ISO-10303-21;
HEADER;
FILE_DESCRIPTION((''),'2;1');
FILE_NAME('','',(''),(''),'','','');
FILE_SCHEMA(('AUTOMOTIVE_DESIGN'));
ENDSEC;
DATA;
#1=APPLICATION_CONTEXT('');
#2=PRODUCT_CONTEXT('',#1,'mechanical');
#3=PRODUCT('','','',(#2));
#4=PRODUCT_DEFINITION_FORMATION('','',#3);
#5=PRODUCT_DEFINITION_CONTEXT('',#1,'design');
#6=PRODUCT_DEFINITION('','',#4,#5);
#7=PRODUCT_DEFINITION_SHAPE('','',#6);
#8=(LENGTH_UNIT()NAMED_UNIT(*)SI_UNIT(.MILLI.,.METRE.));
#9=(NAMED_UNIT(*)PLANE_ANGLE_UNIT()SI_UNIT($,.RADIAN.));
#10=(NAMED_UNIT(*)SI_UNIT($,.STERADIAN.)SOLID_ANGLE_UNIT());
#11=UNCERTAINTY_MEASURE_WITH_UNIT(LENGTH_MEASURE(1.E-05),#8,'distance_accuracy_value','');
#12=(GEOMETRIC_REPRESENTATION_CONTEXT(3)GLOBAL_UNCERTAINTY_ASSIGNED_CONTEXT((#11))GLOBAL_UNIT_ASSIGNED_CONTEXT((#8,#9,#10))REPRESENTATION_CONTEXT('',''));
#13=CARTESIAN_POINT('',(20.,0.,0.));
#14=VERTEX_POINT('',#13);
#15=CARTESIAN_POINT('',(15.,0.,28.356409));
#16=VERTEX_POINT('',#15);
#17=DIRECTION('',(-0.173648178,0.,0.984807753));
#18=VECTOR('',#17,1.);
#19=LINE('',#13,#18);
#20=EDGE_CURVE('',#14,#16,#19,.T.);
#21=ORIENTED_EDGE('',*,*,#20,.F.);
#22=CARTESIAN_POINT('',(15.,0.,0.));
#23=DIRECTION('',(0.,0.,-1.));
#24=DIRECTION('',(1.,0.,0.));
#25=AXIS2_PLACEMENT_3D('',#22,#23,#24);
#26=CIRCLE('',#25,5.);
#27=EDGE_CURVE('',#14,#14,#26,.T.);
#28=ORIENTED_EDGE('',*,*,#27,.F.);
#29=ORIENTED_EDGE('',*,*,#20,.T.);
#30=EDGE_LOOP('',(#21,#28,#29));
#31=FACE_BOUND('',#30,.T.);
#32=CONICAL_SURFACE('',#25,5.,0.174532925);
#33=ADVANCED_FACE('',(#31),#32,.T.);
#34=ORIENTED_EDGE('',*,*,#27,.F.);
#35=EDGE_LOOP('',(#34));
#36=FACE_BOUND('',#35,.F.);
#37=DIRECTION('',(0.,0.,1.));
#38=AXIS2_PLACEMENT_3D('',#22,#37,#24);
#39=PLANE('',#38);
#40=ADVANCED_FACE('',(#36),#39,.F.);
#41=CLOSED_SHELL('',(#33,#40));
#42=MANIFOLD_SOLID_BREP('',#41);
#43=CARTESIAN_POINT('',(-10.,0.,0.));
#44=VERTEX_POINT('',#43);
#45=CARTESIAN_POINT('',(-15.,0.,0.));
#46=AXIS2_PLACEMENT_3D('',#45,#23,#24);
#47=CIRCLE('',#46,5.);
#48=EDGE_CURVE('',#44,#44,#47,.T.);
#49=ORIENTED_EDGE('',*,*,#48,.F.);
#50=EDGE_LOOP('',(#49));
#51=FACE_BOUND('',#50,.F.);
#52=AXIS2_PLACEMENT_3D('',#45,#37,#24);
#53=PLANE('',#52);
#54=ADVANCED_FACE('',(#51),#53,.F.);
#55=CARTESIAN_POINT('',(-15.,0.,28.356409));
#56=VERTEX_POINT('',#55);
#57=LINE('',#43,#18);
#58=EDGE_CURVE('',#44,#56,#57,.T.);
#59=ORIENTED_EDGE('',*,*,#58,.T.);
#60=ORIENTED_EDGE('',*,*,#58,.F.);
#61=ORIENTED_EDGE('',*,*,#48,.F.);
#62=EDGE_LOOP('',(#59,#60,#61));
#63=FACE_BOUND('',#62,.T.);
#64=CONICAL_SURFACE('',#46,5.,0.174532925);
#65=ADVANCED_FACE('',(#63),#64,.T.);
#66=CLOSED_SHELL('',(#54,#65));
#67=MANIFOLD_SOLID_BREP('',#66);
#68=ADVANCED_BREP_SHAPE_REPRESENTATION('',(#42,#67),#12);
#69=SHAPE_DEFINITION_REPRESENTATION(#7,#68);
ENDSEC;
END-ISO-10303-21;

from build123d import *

# Parameters (mm, degrees)
F0_R     = 5
F1_DEPTH = 30
F1_TAPER = 10


with BuildPart() as f1:
    # F0 (on Top) → F1 (new body)
    with BuildSketch(Plane.XY):
        with Locations((-15, 0)):
            Circle(F0_R)
    extrude(amount=F1_DEPTH, taper=F1_TAPER)


with BuildPart() as f1b:
    # F0 (on Top) → F1, piece 2 (new body)
    with BuildSketch(Plane.XY):
        with Locations((15, 0)):
            Circle(F0_R)
    extrude(amount=F1_DEPTH, taper=F1_TAPER)


solid = Compound([f1.part, f1b.part])
